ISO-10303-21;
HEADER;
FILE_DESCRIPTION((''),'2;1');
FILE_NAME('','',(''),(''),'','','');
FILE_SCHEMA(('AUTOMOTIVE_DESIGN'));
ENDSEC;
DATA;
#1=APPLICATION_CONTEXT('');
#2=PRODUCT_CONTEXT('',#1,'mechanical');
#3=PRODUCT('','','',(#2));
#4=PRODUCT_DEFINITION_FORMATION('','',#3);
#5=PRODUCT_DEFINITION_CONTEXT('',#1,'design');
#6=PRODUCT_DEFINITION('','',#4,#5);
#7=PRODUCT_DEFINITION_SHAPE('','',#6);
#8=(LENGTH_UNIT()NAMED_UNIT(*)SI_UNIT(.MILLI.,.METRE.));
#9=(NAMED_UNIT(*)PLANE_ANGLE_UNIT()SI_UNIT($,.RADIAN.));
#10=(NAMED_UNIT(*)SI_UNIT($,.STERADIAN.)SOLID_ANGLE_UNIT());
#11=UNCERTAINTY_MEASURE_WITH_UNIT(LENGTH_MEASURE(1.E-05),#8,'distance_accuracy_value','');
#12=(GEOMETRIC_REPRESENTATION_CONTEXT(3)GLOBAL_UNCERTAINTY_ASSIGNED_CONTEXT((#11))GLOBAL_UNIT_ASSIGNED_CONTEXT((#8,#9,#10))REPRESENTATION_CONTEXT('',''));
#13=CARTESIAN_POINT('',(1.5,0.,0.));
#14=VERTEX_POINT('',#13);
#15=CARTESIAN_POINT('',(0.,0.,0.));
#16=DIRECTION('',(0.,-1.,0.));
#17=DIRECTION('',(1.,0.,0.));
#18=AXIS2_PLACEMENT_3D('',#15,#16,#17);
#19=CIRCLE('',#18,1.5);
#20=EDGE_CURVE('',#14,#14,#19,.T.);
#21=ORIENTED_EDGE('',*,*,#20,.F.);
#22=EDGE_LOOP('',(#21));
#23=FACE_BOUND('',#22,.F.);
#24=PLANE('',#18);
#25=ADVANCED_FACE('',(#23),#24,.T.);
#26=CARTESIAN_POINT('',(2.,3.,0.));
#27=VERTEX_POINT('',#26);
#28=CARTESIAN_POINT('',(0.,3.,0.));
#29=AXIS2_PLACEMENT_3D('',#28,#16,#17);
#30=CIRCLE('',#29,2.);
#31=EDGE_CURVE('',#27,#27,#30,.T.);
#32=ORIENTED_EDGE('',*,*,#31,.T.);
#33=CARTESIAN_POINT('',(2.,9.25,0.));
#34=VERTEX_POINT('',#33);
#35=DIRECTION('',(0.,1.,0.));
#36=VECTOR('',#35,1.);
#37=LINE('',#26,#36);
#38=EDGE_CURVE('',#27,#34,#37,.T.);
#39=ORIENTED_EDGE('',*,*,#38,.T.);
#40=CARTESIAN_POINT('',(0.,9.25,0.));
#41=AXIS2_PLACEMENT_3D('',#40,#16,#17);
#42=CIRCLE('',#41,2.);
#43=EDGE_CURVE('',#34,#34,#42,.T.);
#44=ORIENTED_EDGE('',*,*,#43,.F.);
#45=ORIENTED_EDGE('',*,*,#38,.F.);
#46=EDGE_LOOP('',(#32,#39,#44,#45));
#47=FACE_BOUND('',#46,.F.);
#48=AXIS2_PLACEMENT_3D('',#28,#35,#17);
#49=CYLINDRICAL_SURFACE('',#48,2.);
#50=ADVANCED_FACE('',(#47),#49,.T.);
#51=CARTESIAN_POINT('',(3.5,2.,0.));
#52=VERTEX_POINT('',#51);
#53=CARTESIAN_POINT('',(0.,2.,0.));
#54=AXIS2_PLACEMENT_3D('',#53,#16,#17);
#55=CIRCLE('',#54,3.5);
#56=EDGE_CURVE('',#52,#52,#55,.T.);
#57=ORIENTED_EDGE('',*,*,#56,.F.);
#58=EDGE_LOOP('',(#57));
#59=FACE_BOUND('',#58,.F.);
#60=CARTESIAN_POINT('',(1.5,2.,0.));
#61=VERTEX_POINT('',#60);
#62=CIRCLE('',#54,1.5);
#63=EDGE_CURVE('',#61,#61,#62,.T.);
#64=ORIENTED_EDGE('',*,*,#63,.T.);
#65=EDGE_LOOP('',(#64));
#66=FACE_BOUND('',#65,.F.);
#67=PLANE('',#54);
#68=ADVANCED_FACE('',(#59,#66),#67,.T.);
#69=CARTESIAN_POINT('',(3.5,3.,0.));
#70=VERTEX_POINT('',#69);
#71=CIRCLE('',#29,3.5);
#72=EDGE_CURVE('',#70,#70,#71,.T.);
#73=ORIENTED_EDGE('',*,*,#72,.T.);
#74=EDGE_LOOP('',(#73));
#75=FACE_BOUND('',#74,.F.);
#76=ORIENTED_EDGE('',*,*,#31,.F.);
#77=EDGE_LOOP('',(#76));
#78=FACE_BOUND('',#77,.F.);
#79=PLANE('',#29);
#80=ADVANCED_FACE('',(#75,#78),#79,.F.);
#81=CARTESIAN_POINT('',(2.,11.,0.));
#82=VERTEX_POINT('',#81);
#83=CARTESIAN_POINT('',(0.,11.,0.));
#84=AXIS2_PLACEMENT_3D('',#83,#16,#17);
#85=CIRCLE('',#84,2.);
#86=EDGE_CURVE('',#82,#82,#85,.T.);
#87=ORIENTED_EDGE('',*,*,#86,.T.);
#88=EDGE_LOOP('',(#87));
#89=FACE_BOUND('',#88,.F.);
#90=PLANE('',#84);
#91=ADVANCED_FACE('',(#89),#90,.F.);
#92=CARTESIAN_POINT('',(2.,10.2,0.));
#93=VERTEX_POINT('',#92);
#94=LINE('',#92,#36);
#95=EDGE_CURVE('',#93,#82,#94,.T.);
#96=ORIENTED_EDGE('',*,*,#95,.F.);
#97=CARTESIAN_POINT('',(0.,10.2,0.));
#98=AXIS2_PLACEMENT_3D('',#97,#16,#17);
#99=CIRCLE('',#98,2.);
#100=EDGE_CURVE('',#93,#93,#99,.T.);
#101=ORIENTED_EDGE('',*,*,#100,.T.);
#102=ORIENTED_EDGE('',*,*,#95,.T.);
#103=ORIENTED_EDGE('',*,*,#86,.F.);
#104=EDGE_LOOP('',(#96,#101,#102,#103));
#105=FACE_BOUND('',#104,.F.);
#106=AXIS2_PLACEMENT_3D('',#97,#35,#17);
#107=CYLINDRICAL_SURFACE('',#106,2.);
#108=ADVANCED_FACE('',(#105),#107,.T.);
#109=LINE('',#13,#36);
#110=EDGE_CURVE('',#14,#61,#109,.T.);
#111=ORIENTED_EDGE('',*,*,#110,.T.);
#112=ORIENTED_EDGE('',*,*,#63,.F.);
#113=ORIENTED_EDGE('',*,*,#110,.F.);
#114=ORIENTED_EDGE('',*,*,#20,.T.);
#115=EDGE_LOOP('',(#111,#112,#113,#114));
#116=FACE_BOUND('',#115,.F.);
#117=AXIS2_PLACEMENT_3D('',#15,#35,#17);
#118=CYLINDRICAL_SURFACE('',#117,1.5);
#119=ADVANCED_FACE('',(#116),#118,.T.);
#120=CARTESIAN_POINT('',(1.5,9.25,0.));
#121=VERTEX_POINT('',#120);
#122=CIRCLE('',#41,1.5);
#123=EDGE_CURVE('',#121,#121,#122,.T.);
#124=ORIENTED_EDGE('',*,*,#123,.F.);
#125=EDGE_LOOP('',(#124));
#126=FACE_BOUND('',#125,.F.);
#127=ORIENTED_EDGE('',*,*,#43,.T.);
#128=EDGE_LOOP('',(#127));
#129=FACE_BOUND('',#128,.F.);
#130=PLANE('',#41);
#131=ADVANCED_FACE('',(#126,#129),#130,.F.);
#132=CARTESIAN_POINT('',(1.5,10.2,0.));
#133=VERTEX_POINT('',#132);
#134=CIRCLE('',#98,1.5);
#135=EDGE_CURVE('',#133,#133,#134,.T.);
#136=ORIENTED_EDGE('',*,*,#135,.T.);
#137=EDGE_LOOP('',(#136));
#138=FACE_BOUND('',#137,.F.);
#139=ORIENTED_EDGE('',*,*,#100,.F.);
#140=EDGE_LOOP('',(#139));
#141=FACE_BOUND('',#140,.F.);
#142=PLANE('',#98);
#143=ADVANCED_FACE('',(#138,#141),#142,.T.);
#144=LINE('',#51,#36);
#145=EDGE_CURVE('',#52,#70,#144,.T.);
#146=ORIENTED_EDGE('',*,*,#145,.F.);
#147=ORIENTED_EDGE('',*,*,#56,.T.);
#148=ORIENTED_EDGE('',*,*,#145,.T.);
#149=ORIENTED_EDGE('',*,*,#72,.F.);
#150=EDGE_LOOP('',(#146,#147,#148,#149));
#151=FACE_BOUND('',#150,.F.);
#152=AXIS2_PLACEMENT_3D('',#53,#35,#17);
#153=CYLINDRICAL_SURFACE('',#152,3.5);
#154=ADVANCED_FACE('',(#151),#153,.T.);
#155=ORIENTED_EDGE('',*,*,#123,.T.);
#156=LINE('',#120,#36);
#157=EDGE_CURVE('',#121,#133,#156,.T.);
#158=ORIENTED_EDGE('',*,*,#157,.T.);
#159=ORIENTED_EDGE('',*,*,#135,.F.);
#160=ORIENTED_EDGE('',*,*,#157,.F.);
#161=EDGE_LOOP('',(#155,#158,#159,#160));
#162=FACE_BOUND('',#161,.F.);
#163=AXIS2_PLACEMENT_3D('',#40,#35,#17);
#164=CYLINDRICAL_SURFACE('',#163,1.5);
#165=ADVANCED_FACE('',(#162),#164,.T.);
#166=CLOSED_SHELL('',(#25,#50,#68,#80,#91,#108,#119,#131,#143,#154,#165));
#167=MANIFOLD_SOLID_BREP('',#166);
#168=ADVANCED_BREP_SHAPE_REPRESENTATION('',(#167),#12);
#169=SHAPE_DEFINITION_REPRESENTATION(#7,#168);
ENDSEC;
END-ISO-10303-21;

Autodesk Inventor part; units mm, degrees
ref_plane "YZ Plane" through (0, 0, 0) normal (1, 0, 0) x (0, 1, 0)
ref_plane "XZ Plane" through (0, 0, 0) normal (0, 1, 0) x (-1, 0, 0)
ref_plane "XY Plane" through (0, 0, 0) normal (0, 0, 1) x (1, 0, 0)
sketch "Sketch1" plane through (0, 0, 0) normal (0, 0, 1) x (1, 0, 0)
  line L0 (0, 0) -> (1.5, 0)
  line L1 (1.5, 0) -> (1.5, 2)
  line L2 (1.5, 2) -> (0, 2)
  line L3 (0, 2) -> (0, 0)
  line L4 (0, 2) -> (3.5, 2)
  line L5 (3.5, 2) -> (3.5, 3)
  line L6 (3.5, 3) -> (0, 3)
  line L7 (0, 3) -> (0, 2)
  line L8 (0, 3) -> (2, 3)
  line L9 (2, 3) -> (2, 9.25)
  line L10 (2, 9.25) -> (0, 9.25)
  line L11 (0, 9.25) -> (0, 3)
  line L12 (0, 9.25) -> (1.5, 9.25)
  line L13 (1.5, 9.25) -> (1.5, 10.2)
  line L14 (1.5, 10.2) -> (0, 10.2)
  line L15 (0, 10.2) -> (0, 9.25)
  line L16 (0, 10.2) -> (2, 10.2)
  line L17 (2, 10.2) -> (2, 11)
  line L18 (2, 11) -> (0, 11)
  line L19 (0, 11) -> (0, 10.2)
  dimension "d8" = 4
  dimension "d9" = 3
  dimension "d10" = 8
  dimension "d11" = 9
  dimension "d12" = 11
  dimension "d13" = 0.8
  dimension "d14" = 1.75
  dimension "d16" = 7
revolve "Revolution1" add sketch "Sketch1" angle 360 about axis through (0, 9.25, 0) along (0, -1, 0)
properties part number "308-16" material "Steel"
